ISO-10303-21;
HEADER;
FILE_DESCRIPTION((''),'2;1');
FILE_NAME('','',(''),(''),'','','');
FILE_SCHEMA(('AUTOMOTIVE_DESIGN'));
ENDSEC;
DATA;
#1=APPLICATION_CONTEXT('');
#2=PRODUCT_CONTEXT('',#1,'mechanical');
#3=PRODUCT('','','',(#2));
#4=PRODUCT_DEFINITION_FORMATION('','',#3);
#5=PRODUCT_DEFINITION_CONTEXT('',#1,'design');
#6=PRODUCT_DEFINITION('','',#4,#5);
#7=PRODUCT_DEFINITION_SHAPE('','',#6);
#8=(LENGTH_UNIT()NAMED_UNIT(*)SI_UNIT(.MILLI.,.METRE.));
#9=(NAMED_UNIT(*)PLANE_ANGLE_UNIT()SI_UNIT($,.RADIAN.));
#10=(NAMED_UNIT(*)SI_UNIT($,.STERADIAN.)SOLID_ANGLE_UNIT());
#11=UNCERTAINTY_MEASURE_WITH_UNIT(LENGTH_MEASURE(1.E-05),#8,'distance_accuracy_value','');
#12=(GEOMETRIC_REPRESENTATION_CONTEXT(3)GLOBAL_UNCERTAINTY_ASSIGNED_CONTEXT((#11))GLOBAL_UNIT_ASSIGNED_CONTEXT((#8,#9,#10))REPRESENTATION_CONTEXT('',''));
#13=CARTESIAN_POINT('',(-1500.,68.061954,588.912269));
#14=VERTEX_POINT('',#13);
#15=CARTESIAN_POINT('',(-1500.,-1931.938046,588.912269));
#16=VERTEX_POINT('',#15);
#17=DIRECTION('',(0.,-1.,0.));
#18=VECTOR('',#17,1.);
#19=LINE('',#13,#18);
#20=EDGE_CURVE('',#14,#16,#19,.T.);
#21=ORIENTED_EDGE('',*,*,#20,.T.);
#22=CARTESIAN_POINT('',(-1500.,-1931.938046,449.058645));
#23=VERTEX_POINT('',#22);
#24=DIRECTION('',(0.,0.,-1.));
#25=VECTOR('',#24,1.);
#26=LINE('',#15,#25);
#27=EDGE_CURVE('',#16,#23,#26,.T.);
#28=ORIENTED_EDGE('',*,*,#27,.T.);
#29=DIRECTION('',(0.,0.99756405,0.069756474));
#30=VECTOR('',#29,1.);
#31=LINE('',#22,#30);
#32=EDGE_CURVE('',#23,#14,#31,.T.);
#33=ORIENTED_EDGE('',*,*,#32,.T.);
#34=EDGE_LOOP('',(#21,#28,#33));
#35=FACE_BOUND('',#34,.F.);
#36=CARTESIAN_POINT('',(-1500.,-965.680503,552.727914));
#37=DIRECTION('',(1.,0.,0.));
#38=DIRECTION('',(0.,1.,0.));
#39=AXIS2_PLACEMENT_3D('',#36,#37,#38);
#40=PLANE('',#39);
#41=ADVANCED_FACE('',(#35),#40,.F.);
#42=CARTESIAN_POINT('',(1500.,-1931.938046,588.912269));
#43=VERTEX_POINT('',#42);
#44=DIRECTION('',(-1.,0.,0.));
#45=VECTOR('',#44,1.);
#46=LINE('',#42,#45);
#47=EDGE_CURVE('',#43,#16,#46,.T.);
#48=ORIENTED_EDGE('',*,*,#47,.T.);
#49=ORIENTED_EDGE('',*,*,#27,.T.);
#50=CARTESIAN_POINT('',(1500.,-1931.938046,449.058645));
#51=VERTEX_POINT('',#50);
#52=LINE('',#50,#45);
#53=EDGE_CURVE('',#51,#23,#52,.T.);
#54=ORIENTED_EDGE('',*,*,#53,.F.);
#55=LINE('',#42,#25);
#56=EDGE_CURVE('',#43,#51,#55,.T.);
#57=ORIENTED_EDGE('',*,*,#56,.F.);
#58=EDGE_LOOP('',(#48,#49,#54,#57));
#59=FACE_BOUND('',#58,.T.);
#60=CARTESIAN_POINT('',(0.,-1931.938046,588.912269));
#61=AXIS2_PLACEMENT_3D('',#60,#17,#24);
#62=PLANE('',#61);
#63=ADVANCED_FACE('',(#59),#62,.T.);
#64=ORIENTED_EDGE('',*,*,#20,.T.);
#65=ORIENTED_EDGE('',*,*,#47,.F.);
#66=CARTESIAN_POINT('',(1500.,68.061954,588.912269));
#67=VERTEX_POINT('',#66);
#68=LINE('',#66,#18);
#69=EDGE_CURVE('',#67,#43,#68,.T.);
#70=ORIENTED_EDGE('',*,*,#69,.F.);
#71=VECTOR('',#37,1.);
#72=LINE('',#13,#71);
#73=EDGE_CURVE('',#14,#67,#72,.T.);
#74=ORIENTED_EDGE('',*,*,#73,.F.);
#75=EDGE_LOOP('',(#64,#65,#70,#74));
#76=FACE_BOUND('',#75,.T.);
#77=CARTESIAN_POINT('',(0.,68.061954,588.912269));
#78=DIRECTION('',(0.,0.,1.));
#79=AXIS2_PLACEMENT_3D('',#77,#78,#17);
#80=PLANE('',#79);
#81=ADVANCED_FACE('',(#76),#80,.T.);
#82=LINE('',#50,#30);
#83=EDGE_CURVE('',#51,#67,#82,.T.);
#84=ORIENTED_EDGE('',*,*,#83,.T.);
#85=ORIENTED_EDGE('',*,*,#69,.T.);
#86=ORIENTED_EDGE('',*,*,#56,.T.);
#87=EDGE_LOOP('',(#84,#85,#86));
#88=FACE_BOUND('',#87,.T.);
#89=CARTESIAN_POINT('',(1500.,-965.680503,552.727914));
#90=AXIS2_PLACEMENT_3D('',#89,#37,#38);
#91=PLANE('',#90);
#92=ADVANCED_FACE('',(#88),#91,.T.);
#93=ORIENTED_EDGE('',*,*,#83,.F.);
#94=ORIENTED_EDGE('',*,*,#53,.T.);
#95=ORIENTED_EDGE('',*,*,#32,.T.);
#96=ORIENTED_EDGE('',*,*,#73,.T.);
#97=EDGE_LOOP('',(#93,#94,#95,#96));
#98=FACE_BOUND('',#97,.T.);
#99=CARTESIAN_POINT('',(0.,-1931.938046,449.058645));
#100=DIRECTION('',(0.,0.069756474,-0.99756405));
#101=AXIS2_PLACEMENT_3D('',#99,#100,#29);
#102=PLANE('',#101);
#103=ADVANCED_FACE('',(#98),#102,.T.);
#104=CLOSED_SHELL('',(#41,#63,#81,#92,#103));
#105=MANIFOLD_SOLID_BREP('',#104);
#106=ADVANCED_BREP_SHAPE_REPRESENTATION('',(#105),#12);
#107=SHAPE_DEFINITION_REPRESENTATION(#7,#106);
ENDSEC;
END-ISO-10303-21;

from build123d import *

# Parameters (mm, degrees)
F1_DEPTH      = 1500
F1_DEPTH_BACK = 1500


with BuildPart() as f1:
    # F0 (on Right) → F1 (new body, two sides)
    with BuildSketch(Plane.YZ) as f1_sk:
        Polygon((-1931.938046, 449.058645), (68.061954, 588.912269), (-1931.938046, 588.912269), align=None)
    extrude(amount=F1_DEPTH)
    extrude(f1_sk.sketch, amount=-F1_DEPTH_BACK)


solid = f1.part
